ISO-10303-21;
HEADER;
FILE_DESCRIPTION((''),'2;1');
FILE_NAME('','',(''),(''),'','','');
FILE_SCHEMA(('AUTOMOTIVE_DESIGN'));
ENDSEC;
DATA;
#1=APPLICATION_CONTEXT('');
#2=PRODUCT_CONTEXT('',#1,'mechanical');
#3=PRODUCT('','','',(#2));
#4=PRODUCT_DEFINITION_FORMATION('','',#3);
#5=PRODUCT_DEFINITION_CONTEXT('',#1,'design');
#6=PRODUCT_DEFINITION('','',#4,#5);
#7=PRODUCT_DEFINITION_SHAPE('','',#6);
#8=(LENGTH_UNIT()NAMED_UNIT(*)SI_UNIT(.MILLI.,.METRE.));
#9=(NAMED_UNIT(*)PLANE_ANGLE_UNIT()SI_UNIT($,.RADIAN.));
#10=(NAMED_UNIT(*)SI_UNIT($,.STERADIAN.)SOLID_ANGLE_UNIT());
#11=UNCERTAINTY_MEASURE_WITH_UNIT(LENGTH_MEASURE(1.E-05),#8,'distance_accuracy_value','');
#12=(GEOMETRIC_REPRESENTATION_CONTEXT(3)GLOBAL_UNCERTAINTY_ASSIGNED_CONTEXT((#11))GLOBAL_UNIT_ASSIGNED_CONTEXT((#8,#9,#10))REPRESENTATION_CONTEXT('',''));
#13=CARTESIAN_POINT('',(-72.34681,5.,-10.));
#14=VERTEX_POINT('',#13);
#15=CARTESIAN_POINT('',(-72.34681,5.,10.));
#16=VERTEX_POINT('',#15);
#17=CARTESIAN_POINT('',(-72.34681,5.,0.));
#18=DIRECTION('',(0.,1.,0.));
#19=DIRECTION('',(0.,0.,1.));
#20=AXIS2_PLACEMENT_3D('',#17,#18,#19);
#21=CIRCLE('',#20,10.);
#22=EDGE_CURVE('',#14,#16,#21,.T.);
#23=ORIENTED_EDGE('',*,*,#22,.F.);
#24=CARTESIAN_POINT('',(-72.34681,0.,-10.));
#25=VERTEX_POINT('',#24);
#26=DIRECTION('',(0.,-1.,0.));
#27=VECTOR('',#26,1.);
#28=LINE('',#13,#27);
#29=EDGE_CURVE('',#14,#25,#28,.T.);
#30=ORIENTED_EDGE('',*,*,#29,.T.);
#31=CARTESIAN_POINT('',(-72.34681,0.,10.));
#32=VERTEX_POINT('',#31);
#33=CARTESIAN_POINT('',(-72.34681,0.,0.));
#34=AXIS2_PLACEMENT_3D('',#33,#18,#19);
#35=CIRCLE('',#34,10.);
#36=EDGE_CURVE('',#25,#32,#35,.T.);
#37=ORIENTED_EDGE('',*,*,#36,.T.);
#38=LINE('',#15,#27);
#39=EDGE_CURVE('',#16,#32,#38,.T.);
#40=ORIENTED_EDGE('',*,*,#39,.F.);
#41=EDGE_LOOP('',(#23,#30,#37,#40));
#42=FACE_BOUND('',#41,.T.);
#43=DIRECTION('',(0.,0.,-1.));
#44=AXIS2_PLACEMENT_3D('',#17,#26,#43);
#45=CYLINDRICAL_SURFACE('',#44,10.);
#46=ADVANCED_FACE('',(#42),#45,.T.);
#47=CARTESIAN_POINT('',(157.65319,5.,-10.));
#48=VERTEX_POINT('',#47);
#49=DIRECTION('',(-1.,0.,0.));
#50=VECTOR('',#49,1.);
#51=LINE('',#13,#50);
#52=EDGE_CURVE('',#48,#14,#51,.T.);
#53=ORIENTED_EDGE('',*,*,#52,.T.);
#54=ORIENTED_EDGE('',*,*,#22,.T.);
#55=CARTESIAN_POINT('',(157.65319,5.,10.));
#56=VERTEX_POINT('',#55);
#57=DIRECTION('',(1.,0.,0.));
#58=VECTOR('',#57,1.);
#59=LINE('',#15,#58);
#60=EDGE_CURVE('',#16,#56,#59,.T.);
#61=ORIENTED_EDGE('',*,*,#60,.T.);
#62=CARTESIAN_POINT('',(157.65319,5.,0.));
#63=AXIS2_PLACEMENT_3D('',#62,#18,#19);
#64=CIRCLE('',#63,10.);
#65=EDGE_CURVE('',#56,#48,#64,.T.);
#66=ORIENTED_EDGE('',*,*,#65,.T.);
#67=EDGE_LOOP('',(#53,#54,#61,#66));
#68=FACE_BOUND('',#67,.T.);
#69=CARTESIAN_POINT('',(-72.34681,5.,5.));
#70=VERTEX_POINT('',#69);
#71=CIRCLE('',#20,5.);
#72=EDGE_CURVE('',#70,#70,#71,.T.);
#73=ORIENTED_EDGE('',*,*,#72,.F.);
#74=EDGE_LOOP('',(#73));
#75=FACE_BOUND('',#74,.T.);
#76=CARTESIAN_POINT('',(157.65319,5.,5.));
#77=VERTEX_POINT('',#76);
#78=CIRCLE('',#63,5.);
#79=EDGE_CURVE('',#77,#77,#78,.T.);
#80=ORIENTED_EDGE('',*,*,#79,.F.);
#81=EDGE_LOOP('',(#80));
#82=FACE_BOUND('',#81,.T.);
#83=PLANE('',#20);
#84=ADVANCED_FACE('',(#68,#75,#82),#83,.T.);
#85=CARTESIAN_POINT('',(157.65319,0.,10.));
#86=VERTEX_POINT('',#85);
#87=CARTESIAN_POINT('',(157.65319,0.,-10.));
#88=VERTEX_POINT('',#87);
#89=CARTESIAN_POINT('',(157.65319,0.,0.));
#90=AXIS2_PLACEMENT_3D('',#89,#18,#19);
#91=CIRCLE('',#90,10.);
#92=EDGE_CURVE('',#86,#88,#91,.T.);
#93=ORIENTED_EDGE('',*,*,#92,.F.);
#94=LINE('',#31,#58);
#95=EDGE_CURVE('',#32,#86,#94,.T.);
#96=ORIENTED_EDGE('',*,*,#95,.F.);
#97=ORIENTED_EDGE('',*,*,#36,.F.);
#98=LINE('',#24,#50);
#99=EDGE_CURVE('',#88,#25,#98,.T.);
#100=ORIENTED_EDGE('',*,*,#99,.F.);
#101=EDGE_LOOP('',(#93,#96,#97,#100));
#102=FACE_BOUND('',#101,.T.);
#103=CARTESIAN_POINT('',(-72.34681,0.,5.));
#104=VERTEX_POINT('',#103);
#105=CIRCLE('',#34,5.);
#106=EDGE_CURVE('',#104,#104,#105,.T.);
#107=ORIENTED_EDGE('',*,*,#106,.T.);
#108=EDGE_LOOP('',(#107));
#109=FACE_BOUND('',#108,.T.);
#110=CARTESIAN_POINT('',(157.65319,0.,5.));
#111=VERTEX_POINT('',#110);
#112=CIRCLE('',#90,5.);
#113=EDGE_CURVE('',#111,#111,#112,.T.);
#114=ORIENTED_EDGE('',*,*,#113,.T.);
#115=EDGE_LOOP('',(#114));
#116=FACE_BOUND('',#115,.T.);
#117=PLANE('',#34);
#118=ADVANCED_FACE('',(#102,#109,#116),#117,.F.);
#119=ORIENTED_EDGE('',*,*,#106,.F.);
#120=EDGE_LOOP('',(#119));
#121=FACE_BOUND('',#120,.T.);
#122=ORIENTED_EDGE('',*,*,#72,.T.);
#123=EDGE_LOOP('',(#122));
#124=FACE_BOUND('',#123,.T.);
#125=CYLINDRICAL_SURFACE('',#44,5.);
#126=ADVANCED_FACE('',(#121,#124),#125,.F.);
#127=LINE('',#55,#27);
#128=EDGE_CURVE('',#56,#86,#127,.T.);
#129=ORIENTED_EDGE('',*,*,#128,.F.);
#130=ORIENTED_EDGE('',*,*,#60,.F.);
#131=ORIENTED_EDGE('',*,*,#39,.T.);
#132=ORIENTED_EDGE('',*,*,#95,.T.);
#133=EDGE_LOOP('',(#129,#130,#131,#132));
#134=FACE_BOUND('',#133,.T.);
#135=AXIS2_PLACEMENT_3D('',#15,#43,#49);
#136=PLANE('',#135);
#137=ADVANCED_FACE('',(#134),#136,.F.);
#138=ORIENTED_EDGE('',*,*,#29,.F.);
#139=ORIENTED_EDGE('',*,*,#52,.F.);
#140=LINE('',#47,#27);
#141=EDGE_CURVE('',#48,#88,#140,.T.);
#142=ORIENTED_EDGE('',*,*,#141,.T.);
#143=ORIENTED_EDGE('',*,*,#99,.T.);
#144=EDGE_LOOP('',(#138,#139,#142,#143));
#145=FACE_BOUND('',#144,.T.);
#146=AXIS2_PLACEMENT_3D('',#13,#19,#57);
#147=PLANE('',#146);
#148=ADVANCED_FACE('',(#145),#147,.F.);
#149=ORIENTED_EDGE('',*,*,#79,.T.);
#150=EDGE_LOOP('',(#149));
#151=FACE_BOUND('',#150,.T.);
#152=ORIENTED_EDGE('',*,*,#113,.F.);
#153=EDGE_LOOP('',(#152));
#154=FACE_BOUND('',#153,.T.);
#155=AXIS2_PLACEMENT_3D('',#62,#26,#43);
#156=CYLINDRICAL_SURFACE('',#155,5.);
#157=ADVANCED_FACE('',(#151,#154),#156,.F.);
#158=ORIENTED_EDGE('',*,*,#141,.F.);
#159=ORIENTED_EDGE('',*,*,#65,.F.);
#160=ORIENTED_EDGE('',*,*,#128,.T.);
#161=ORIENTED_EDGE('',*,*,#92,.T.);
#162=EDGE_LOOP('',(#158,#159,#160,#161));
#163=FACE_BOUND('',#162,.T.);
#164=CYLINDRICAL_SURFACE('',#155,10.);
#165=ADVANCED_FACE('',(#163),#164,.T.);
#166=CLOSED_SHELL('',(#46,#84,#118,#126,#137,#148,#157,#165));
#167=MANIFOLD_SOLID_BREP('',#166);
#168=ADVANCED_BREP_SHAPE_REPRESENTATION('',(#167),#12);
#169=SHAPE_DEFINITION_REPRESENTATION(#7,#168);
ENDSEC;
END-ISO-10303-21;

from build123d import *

# Parameters (mm, degrees)
SKETCH1_R           = 5
BOSS_EXTRUDE1_DEPTH = 5


with BuildPart() as part:
    # Sketch1 → Boss-Extrude1 (new body)
    with BuildSketch(Plane(origin=(0, 0, 0), x_dir=(1, 0, 0), z_dir=(0, 1, 0))):
        with BuildLine():
            Line((-72.346809709, 10), (157.653190291, 10))
            ThreePointArc((157.653190291, 10), (167.653190291, 0), (157.653190291, -10))
            Line((157.653190291, -10), (-72.346809709, -10))
            ThreePointArc((-72.346809709, -10), (-82.346809709, 0), (-72.346809709, 10))
        make_face()
        with Locations(Location((-72.346809709, 0, 0), (0, 0, 270))):
            Circle(SKETCH1_R, mode=Mode.SUBTRACT)
        with Locations(Location((157.653190291, 0, 0), (0, 0, 270))):
            Circle(SKETCH1_R, mode=Mode.SUBTRACT)
    extrude(amount=BOSS_EXTRUDE1_DEPTH)


solid = part.part
